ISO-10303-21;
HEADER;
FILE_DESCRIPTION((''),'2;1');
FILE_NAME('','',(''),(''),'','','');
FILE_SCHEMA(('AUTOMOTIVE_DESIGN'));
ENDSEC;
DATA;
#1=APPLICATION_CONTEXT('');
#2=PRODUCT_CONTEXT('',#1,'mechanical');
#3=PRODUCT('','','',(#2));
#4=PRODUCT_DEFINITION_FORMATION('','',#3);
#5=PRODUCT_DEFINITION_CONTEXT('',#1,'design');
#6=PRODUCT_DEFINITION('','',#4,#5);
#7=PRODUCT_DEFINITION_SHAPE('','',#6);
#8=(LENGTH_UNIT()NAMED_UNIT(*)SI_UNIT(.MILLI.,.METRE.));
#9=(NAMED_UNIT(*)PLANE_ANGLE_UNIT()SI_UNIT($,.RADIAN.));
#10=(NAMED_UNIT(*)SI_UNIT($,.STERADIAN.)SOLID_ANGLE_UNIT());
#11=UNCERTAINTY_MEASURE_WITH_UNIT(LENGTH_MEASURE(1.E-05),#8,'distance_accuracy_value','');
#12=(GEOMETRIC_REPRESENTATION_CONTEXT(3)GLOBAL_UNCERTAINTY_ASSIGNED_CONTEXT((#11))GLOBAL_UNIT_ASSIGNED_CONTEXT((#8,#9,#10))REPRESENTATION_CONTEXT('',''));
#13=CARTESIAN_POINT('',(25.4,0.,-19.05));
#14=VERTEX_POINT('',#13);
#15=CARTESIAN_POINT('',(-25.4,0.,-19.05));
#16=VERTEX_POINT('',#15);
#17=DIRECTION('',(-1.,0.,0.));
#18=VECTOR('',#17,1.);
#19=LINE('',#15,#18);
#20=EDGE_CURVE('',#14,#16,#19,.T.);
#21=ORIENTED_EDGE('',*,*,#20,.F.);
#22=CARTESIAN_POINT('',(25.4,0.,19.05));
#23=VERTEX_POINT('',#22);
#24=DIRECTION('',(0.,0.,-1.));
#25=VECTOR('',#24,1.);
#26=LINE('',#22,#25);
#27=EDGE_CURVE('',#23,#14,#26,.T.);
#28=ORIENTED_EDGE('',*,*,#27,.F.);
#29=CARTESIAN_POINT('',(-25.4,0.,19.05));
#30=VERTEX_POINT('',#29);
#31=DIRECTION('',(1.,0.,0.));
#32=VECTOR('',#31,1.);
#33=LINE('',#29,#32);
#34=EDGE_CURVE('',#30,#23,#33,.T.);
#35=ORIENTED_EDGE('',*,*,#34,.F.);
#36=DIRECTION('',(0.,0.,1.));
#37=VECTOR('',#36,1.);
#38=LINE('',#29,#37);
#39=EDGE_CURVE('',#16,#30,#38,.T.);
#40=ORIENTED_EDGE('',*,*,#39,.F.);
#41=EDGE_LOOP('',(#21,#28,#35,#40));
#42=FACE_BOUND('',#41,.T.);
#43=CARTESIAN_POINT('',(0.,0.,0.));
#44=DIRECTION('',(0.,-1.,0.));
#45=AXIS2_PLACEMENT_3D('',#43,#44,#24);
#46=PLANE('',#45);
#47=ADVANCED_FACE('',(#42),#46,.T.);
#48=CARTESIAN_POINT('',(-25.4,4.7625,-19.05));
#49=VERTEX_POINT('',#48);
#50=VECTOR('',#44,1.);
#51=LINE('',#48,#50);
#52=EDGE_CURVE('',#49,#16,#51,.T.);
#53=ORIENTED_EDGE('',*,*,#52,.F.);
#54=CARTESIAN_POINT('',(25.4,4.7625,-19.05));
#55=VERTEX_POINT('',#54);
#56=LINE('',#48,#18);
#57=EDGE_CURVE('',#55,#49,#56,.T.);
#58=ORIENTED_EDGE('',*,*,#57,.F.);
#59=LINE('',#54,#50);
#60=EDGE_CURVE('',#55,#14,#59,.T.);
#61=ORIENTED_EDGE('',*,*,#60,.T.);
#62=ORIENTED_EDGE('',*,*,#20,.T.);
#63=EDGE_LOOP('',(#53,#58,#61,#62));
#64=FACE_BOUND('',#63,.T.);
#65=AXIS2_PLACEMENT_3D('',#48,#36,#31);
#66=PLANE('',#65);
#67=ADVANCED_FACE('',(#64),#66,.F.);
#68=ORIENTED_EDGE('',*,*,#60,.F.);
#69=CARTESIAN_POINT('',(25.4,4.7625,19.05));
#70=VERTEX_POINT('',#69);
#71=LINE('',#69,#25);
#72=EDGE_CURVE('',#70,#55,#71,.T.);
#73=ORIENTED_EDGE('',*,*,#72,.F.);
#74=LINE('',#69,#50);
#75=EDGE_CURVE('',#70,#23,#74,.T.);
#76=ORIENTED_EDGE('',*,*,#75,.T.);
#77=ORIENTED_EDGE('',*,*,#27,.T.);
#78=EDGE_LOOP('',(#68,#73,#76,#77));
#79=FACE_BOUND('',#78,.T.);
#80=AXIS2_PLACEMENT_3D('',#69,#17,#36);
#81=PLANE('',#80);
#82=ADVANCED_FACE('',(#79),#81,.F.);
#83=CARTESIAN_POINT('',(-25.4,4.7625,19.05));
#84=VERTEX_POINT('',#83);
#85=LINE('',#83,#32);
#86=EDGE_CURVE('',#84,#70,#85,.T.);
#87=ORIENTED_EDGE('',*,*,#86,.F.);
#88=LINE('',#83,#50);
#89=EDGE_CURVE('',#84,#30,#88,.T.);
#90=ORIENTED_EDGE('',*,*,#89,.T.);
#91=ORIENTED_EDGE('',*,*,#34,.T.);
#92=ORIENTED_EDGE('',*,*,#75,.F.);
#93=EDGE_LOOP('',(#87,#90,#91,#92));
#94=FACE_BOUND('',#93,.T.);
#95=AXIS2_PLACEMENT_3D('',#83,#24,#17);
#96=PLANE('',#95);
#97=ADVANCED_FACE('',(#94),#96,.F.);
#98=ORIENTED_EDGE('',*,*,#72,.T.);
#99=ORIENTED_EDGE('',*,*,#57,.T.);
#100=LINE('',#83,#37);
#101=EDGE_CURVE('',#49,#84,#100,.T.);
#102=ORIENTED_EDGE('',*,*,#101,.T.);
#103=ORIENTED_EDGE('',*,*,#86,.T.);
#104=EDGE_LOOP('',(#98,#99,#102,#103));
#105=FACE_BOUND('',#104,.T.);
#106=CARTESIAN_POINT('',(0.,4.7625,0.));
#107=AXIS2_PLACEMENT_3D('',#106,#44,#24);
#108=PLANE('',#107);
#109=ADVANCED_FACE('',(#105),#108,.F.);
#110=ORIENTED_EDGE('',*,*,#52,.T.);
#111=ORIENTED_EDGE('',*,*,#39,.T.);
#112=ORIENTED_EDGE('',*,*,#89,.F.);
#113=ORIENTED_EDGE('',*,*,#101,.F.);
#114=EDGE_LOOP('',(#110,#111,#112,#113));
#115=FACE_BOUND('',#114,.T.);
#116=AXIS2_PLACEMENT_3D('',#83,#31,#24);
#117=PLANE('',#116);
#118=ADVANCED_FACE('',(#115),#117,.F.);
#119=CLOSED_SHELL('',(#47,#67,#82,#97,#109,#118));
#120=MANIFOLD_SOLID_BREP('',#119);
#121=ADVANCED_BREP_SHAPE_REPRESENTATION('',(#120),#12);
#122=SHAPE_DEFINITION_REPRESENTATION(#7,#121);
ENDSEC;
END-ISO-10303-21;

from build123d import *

# Parameters (mm, degrees)
SKETCH1_W           = 50.8
SKETCH1_H           = 38.1
BOSS_EXTRUDE1_DEPTH = 4.7625


with BuildPart() as part:
    # Sketch1 → Boss-Extrude1 (new body)
    with BuildSketch(Plane(origin=(0, 0, 0), x_dir=(1, 0, 0), z_dir=(0, 1, 0))):
        Rectangle(SKETCH1_W, SKETCH1_H)
    extrude(amount=BOSS_EXTRUDE1_DEPTH)


solid = part.part
